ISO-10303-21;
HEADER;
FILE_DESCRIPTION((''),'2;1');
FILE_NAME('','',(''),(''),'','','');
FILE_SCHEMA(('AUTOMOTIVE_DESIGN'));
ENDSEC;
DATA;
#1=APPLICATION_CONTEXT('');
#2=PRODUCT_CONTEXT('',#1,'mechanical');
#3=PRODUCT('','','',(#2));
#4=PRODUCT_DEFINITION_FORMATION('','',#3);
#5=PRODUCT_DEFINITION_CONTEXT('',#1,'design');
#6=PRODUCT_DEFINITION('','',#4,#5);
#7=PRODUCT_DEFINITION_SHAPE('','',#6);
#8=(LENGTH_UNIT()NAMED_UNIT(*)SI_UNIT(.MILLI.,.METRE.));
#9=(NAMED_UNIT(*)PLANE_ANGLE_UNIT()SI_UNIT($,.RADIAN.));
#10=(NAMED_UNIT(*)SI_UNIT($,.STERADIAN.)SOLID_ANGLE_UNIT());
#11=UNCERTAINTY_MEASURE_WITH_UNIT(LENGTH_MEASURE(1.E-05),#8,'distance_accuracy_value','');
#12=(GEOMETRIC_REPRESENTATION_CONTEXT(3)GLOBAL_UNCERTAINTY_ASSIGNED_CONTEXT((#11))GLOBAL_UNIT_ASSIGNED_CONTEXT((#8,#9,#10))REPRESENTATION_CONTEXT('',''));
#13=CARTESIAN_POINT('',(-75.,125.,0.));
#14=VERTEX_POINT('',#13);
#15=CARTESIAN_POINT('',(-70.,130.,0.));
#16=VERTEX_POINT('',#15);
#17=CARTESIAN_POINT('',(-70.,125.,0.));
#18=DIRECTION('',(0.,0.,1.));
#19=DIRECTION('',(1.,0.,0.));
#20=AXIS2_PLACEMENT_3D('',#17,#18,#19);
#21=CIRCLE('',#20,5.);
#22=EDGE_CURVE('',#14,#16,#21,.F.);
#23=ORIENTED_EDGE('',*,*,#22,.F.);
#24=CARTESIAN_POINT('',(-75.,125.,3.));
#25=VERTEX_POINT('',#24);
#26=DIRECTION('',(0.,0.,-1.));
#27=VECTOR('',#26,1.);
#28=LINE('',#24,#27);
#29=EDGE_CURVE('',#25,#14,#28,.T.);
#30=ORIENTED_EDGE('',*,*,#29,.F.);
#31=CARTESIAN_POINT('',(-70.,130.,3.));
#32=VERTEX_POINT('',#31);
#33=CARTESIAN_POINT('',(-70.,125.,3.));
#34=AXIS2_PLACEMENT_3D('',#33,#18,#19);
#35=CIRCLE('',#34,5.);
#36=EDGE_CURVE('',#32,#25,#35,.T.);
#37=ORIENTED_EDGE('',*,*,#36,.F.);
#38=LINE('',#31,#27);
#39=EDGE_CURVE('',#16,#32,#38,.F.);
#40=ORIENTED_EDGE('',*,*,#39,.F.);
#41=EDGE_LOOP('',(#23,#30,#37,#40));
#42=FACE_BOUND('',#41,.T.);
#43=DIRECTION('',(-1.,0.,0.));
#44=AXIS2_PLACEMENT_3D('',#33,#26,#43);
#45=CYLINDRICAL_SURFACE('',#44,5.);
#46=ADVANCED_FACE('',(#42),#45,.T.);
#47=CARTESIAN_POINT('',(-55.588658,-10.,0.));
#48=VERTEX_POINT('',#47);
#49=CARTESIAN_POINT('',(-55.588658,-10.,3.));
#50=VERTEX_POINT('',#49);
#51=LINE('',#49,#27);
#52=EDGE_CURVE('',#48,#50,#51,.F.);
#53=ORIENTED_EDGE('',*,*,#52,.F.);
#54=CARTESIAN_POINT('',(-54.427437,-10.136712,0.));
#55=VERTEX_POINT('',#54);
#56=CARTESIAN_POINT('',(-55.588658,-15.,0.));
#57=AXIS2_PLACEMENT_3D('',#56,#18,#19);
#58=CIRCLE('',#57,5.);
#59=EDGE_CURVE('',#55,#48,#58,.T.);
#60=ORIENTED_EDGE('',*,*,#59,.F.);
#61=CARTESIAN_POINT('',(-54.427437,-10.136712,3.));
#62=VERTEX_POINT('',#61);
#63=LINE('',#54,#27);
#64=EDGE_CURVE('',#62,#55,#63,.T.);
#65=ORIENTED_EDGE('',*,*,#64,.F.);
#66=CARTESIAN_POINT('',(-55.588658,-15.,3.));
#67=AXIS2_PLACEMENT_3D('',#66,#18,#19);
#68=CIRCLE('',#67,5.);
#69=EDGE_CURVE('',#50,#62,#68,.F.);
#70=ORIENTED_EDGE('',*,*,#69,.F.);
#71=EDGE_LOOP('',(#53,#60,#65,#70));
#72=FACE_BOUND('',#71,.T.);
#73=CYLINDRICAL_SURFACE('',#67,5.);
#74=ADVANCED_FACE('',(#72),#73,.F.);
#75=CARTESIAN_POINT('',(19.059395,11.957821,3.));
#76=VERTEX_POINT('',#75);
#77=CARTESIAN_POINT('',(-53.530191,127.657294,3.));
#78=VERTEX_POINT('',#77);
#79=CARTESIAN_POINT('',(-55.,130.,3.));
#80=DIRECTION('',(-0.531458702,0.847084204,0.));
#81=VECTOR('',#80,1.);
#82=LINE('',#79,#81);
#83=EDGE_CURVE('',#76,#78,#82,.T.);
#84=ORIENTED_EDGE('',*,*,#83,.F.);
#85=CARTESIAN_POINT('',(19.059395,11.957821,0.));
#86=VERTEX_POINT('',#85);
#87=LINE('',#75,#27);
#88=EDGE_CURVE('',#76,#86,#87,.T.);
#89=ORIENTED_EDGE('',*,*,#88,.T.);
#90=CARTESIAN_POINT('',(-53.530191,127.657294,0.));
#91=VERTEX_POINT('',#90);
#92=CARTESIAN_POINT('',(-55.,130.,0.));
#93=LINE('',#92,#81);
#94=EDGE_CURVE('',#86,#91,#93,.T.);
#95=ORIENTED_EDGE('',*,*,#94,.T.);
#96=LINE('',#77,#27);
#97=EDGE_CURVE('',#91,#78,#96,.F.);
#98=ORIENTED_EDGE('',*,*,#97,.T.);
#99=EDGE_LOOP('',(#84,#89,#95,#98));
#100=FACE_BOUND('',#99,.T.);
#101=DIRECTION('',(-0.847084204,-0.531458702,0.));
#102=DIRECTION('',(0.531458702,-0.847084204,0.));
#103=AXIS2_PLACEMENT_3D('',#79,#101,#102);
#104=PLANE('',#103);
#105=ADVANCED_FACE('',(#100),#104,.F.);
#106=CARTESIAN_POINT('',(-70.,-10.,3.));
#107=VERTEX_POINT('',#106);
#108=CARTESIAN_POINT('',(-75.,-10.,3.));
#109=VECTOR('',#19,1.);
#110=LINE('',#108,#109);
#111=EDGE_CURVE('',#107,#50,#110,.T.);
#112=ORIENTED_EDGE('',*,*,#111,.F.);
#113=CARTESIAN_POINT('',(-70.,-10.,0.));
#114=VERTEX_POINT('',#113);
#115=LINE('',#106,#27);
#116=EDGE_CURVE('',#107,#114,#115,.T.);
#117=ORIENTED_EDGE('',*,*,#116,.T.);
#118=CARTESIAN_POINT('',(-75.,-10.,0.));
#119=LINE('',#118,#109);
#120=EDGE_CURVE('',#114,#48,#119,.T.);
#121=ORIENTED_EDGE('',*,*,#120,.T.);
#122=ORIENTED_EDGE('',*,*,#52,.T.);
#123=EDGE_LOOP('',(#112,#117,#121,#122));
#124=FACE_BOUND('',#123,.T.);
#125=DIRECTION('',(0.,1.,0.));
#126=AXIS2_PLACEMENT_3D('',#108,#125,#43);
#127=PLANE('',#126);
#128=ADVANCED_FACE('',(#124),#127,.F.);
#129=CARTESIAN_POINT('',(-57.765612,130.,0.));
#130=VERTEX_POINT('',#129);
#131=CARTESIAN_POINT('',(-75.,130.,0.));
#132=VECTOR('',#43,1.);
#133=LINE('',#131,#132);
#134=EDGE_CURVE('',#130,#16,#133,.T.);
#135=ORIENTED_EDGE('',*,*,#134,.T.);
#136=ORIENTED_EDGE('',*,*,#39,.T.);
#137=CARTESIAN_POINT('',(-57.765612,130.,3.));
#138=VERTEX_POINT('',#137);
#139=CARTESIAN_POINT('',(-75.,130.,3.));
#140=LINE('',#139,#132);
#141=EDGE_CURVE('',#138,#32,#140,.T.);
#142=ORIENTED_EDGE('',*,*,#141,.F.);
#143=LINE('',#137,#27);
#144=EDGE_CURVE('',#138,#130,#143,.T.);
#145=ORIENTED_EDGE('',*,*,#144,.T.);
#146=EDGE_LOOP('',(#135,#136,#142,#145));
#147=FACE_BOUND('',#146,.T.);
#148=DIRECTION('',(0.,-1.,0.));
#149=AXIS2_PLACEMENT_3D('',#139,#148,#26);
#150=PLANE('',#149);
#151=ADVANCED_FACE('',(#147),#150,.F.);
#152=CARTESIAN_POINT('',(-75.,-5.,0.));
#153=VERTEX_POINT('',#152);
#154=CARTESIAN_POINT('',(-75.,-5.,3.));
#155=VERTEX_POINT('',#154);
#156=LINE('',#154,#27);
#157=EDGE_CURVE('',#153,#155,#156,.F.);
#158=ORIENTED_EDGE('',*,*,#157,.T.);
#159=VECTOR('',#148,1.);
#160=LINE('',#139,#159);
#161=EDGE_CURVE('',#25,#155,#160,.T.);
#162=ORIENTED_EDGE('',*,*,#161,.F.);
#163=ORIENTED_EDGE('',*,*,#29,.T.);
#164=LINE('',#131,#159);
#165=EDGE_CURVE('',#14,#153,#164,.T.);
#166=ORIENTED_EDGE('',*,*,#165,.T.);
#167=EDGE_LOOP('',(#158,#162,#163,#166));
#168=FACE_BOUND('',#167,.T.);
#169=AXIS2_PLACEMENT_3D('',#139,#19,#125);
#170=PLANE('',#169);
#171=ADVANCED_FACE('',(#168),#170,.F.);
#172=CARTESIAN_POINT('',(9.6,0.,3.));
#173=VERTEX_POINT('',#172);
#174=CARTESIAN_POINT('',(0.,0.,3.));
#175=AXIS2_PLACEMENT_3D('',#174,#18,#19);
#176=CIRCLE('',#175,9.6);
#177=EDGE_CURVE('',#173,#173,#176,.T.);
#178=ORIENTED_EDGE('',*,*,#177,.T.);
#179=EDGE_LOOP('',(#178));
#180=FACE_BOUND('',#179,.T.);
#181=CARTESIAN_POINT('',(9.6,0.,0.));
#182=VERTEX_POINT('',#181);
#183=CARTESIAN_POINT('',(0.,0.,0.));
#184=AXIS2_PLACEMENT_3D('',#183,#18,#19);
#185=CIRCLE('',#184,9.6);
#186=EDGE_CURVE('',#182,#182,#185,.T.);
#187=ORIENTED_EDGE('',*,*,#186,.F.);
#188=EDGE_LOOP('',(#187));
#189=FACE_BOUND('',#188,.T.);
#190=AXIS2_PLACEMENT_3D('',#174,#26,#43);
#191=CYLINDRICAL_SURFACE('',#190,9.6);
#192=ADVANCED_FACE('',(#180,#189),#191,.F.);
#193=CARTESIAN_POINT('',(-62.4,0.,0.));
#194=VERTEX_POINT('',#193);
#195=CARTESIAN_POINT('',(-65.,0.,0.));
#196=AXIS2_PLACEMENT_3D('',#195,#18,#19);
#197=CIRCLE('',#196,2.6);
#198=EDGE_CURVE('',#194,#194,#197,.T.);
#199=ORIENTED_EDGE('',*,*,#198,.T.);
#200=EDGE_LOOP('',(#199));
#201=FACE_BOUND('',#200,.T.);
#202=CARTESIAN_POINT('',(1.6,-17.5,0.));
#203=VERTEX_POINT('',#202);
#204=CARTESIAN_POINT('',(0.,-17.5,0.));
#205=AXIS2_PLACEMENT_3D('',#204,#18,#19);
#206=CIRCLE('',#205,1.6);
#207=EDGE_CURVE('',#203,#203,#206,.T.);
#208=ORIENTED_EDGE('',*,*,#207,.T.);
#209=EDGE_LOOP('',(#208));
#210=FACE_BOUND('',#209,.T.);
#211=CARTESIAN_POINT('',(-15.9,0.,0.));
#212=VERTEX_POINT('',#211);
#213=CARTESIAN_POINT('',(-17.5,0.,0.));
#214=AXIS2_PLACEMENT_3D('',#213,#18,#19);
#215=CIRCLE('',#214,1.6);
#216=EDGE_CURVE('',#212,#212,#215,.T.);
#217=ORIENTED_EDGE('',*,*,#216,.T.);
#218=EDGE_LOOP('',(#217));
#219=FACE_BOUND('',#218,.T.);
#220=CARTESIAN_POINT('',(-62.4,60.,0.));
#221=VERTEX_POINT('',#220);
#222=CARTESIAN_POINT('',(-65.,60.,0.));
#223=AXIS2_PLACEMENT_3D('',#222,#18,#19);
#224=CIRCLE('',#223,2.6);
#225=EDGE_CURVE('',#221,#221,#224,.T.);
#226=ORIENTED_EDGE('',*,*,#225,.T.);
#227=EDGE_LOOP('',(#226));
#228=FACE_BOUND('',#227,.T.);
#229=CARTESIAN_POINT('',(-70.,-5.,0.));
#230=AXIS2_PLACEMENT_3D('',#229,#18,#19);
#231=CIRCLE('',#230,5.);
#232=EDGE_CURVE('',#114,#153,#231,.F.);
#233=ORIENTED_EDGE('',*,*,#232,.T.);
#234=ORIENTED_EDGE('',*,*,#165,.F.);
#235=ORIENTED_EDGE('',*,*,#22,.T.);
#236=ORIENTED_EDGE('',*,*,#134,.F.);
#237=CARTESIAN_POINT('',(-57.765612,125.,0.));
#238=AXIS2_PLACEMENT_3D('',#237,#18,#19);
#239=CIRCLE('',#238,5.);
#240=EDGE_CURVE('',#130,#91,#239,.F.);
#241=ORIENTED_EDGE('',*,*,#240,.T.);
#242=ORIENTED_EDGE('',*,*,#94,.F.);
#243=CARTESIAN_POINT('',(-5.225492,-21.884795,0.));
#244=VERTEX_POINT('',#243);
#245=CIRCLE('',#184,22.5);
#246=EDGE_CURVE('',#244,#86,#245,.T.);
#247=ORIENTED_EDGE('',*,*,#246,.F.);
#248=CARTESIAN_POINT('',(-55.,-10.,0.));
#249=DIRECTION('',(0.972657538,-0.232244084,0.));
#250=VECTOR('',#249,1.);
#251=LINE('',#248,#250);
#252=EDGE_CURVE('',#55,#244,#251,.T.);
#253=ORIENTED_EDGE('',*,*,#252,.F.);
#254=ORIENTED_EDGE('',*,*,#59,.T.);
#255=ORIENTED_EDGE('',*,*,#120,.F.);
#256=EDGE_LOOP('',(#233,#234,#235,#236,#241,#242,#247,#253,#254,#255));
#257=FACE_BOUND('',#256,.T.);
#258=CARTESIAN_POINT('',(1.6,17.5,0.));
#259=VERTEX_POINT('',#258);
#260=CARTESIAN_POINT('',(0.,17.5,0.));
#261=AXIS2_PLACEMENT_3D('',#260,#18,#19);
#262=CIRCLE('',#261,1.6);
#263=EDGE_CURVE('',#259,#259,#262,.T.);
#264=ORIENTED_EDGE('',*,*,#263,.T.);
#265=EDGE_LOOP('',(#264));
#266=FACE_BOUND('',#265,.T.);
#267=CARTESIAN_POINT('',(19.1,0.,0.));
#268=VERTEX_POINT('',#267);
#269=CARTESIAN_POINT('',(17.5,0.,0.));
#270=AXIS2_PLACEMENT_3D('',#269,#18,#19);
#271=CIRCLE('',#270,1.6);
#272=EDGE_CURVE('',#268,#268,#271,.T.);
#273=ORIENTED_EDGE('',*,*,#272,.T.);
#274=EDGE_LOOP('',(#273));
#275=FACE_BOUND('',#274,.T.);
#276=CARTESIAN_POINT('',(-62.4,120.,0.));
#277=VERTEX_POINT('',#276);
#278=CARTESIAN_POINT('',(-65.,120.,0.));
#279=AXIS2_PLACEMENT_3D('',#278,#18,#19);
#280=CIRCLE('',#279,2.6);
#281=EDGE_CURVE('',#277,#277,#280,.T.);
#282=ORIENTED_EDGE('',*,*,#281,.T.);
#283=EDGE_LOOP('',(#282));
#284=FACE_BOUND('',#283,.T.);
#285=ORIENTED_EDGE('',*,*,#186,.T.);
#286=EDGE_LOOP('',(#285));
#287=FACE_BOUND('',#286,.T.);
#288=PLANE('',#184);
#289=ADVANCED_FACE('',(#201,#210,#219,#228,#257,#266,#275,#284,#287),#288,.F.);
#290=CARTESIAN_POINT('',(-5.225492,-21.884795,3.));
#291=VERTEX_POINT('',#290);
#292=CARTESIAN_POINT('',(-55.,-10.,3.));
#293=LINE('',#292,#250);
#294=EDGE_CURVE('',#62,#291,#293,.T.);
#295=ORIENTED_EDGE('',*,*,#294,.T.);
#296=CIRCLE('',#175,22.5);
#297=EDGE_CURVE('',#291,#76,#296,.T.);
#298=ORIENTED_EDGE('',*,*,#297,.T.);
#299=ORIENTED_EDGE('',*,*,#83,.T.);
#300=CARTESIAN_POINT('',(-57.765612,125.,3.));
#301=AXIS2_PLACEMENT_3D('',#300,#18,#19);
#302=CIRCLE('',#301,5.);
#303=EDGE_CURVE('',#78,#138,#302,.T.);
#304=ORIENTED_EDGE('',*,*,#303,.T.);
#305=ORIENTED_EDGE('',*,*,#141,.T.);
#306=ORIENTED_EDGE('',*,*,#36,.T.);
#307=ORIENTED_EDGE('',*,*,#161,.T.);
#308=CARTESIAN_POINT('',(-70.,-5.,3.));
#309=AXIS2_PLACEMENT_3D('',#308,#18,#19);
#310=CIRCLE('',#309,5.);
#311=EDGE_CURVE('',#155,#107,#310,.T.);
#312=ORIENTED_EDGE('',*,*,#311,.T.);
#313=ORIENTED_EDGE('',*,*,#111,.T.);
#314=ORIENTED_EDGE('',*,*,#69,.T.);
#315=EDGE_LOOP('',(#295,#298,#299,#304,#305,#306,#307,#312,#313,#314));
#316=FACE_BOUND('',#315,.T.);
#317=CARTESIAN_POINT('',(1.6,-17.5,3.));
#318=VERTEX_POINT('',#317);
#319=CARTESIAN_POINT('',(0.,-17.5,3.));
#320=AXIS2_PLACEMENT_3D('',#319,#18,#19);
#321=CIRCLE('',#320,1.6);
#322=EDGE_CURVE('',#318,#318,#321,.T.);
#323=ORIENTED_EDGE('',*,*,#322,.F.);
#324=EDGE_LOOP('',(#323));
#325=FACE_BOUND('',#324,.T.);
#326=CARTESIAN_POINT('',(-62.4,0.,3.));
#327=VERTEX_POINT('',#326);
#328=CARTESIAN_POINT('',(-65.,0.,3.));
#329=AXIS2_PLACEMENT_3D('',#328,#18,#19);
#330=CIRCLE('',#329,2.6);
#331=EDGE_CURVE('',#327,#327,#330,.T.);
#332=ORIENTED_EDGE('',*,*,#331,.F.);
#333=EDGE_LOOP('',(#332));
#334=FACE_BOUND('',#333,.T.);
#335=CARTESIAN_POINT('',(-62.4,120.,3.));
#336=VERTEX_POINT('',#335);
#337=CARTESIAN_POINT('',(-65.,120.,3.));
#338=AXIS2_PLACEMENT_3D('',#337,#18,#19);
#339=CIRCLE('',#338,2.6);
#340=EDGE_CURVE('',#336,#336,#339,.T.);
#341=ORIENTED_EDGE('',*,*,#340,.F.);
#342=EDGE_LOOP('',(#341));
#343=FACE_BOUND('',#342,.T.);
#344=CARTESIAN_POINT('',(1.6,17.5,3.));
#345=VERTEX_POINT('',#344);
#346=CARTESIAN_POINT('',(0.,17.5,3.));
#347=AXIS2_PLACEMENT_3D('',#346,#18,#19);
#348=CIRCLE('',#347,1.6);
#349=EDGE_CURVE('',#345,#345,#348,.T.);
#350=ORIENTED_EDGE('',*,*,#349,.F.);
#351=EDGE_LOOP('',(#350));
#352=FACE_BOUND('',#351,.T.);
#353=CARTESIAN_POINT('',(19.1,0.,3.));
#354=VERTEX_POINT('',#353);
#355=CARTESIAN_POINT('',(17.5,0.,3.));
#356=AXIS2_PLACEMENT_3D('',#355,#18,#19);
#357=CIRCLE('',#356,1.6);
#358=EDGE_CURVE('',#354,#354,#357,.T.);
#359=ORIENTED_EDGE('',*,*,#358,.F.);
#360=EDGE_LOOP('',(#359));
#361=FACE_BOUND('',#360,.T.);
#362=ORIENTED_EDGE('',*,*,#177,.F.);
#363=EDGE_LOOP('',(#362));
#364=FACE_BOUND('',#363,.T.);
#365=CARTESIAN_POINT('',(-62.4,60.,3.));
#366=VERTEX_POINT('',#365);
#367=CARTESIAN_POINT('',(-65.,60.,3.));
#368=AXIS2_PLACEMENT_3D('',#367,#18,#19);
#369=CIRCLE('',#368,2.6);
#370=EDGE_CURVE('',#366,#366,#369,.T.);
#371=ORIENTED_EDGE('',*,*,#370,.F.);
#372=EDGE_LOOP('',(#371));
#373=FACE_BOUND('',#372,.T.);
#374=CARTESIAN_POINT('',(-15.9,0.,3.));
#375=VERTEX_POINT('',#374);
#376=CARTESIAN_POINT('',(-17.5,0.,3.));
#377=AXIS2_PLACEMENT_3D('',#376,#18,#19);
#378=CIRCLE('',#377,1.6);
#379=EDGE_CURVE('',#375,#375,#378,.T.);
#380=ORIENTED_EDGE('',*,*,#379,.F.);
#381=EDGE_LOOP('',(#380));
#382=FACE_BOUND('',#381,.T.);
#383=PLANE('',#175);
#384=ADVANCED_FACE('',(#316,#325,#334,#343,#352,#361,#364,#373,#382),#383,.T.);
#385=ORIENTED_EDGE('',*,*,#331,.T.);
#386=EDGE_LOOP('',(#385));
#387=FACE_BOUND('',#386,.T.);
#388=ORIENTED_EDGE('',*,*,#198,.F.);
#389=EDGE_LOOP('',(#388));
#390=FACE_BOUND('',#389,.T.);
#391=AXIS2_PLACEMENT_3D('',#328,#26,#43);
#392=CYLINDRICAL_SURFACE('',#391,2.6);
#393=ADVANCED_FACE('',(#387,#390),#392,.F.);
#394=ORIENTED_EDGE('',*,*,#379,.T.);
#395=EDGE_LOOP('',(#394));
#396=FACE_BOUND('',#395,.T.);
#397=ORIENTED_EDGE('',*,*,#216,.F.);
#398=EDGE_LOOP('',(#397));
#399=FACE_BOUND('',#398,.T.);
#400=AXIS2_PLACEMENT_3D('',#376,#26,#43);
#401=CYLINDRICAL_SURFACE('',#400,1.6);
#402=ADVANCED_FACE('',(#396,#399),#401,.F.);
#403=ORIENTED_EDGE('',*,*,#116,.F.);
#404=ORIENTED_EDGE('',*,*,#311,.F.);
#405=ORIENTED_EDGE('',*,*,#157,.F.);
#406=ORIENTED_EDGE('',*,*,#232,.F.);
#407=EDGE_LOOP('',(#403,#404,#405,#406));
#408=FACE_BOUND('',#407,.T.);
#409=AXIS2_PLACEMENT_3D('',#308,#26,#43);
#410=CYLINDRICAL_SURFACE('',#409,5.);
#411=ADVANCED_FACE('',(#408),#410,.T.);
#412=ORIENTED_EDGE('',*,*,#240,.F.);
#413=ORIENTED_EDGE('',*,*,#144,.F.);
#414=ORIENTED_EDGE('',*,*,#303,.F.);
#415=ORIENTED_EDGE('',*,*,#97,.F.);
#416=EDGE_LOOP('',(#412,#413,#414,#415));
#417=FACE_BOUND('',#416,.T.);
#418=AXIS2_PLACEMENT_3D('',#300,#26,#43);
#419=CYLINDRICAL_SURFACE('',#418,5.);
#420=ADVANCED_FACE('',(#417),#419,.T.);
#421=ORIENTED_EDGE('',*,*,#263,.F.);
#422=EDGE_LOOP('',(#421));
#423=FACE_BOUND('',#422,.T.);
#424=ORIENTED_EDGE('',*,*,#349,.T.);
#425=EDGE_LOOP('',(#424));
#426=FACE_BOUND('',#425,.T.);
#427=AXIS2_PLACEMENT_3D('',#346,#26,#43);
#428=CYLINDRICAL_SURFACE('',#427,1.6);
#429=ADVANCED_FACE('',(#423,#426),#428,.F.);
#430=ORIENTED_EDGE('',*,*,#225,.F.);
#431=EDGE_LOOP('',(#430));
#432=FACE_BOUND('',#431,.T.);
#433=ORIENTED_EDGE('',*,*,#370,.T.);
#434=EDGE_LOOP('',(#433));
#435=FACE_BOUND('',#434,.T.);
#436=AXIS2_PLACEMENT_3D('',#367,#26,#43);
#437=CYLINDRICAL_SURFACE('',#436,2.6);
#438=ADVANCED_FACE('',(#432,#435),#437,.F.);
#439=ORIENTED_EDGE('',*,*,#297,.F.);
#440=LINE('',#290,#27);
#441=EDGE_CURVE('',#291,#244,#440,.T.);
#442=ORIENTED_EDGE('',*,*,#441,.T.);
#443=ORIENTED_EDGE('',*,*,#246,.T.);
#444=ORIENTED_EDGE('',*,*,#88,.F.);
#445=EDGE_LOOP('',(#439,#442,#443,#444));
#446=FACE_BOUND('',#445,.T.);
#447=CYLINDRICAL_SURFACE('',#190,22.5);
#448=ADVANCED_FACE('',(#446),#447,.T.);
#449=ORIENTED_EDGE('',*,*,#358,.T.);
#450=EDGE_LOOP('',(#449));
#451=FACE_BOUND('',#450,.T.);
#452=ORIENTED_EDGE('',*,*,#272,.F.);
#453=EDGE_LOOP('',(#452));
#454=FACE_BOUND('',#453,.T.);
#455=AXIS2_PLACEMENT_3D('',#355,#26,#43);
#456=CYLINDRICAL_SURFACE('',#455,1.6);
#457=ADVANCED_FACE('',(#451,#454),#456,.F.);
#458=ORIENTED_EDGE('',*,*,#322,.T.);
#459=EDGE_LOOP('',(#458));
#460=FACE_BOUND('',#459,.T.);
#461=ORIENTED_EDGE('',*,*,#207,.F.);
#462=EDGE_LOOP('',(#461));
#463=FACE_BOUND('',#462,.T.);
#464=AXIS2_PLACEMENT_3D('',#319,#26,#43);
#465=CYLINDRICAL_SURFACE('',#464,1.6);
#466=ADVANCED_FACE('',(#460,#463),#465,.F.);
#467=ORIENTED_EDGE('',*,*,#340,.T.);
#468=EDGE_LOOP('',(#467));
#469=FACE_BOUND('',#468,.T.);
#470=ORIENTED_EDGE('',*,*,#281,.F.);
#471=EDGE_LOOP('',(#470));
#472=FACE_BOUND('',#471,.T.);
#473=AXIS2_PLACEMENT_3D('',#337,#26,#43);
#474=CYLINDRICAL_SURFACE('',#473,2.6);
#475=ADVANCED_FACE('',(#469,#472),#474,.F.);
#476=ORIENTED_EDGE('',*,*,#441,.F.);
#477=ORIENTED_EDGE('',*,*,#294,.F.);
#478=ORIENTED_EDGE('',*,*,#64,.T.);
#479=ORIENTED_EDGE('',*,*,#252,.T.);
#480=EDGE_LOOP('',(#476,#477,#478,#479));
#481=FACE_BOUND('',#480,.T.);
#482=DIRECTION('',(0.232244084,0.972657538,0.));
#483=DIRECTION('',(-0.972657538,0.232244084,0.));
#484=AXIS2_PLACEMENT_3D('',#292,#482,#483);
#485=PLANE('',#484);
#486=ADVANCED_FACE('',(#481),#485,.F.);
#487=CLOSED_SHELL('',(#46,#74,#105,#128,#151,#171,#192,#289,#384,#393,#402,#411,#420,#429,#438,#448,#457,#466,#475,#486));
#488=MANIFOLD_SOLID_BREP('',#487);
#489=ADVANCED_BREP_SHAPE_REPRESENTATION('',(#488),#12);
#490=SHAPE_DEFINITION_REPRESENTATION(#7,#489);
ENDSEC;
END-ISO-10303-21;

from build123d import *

# Parameters (mm, degrees)
SKETCH_2_R      = 9.6
SKETCH_2_R_2    = 1.6
SKETCH_2_R_3    = 2.6
EXTRUDE_1_DEPTH = 3
FILLET_3_R      = 5


with BuildPart() as part:
    # ｽｹｯﾁ2 → ﾎﾞｽ - 押し出し1 (new body)
    with BuildSketch(Plane.XY):
        with BuildLine():
            Line((-75, 130), (-75, -10))
            Line((-75, -10), (-55, -10))
            Line((-55, -10), (-5.225491892, -21.884794596))
            ThreePointArc((-5.225491892, -21.884794596), (18.280450485, -13.117741043), (19.059394587, 11.957820787))
            Line((19.059394587, 11.957820787), (-55, 130))
            Line((-55, 130), (-75, 130))
        make_face()
        Circle(SKETCH_2_R, mode=Mode.SUBTRACT)
        with Locations((0, 17.5)):
            Circle(SKETCH_2_R_2, mode=Mode.SUBTRACT)
        with Locations((17.5, 0)):
            Circle(SKETCH_2_R_2, mode=Mode.SUBTRACT)
        with Locations((0, -17.5)):
            Circle(SKETCH_2_R_2, mode=Mode.SUBTRACT)
        with Locations((-17.5, 0)):
            Circle(SKETCH_2_R_2, mode=Mode.SUBTRACT)
        with Locations((-65, 60)):
            Circle(SKETCH_2_R_3, mode=Mode.SUBTRACT)
        with Locations((-65, 120)):
            Circle(SKETCH_2_R_3, mode=Mode.SUBTRACT)
        with Locations((-65, 0)):
            Circle(SKETCH_2_R_3, mode=Mode.SUBTRACT)
    extrude(amount=EXTRUDE_1_DEPTH)

    # ﾌｨﾚｯﾄ3
    fillet_3_edges = [part.edges().sort_by_distance(p)[0] for p in [
        (-55, 130, 1.5),
        (-55, -10, 1.5),
        (-75, -10, 1.5),
        (-75, 130, 1.5),
    ]]
    fillet(fillet_3_edges, radius=FILLET_3_R)


solid = part.part
